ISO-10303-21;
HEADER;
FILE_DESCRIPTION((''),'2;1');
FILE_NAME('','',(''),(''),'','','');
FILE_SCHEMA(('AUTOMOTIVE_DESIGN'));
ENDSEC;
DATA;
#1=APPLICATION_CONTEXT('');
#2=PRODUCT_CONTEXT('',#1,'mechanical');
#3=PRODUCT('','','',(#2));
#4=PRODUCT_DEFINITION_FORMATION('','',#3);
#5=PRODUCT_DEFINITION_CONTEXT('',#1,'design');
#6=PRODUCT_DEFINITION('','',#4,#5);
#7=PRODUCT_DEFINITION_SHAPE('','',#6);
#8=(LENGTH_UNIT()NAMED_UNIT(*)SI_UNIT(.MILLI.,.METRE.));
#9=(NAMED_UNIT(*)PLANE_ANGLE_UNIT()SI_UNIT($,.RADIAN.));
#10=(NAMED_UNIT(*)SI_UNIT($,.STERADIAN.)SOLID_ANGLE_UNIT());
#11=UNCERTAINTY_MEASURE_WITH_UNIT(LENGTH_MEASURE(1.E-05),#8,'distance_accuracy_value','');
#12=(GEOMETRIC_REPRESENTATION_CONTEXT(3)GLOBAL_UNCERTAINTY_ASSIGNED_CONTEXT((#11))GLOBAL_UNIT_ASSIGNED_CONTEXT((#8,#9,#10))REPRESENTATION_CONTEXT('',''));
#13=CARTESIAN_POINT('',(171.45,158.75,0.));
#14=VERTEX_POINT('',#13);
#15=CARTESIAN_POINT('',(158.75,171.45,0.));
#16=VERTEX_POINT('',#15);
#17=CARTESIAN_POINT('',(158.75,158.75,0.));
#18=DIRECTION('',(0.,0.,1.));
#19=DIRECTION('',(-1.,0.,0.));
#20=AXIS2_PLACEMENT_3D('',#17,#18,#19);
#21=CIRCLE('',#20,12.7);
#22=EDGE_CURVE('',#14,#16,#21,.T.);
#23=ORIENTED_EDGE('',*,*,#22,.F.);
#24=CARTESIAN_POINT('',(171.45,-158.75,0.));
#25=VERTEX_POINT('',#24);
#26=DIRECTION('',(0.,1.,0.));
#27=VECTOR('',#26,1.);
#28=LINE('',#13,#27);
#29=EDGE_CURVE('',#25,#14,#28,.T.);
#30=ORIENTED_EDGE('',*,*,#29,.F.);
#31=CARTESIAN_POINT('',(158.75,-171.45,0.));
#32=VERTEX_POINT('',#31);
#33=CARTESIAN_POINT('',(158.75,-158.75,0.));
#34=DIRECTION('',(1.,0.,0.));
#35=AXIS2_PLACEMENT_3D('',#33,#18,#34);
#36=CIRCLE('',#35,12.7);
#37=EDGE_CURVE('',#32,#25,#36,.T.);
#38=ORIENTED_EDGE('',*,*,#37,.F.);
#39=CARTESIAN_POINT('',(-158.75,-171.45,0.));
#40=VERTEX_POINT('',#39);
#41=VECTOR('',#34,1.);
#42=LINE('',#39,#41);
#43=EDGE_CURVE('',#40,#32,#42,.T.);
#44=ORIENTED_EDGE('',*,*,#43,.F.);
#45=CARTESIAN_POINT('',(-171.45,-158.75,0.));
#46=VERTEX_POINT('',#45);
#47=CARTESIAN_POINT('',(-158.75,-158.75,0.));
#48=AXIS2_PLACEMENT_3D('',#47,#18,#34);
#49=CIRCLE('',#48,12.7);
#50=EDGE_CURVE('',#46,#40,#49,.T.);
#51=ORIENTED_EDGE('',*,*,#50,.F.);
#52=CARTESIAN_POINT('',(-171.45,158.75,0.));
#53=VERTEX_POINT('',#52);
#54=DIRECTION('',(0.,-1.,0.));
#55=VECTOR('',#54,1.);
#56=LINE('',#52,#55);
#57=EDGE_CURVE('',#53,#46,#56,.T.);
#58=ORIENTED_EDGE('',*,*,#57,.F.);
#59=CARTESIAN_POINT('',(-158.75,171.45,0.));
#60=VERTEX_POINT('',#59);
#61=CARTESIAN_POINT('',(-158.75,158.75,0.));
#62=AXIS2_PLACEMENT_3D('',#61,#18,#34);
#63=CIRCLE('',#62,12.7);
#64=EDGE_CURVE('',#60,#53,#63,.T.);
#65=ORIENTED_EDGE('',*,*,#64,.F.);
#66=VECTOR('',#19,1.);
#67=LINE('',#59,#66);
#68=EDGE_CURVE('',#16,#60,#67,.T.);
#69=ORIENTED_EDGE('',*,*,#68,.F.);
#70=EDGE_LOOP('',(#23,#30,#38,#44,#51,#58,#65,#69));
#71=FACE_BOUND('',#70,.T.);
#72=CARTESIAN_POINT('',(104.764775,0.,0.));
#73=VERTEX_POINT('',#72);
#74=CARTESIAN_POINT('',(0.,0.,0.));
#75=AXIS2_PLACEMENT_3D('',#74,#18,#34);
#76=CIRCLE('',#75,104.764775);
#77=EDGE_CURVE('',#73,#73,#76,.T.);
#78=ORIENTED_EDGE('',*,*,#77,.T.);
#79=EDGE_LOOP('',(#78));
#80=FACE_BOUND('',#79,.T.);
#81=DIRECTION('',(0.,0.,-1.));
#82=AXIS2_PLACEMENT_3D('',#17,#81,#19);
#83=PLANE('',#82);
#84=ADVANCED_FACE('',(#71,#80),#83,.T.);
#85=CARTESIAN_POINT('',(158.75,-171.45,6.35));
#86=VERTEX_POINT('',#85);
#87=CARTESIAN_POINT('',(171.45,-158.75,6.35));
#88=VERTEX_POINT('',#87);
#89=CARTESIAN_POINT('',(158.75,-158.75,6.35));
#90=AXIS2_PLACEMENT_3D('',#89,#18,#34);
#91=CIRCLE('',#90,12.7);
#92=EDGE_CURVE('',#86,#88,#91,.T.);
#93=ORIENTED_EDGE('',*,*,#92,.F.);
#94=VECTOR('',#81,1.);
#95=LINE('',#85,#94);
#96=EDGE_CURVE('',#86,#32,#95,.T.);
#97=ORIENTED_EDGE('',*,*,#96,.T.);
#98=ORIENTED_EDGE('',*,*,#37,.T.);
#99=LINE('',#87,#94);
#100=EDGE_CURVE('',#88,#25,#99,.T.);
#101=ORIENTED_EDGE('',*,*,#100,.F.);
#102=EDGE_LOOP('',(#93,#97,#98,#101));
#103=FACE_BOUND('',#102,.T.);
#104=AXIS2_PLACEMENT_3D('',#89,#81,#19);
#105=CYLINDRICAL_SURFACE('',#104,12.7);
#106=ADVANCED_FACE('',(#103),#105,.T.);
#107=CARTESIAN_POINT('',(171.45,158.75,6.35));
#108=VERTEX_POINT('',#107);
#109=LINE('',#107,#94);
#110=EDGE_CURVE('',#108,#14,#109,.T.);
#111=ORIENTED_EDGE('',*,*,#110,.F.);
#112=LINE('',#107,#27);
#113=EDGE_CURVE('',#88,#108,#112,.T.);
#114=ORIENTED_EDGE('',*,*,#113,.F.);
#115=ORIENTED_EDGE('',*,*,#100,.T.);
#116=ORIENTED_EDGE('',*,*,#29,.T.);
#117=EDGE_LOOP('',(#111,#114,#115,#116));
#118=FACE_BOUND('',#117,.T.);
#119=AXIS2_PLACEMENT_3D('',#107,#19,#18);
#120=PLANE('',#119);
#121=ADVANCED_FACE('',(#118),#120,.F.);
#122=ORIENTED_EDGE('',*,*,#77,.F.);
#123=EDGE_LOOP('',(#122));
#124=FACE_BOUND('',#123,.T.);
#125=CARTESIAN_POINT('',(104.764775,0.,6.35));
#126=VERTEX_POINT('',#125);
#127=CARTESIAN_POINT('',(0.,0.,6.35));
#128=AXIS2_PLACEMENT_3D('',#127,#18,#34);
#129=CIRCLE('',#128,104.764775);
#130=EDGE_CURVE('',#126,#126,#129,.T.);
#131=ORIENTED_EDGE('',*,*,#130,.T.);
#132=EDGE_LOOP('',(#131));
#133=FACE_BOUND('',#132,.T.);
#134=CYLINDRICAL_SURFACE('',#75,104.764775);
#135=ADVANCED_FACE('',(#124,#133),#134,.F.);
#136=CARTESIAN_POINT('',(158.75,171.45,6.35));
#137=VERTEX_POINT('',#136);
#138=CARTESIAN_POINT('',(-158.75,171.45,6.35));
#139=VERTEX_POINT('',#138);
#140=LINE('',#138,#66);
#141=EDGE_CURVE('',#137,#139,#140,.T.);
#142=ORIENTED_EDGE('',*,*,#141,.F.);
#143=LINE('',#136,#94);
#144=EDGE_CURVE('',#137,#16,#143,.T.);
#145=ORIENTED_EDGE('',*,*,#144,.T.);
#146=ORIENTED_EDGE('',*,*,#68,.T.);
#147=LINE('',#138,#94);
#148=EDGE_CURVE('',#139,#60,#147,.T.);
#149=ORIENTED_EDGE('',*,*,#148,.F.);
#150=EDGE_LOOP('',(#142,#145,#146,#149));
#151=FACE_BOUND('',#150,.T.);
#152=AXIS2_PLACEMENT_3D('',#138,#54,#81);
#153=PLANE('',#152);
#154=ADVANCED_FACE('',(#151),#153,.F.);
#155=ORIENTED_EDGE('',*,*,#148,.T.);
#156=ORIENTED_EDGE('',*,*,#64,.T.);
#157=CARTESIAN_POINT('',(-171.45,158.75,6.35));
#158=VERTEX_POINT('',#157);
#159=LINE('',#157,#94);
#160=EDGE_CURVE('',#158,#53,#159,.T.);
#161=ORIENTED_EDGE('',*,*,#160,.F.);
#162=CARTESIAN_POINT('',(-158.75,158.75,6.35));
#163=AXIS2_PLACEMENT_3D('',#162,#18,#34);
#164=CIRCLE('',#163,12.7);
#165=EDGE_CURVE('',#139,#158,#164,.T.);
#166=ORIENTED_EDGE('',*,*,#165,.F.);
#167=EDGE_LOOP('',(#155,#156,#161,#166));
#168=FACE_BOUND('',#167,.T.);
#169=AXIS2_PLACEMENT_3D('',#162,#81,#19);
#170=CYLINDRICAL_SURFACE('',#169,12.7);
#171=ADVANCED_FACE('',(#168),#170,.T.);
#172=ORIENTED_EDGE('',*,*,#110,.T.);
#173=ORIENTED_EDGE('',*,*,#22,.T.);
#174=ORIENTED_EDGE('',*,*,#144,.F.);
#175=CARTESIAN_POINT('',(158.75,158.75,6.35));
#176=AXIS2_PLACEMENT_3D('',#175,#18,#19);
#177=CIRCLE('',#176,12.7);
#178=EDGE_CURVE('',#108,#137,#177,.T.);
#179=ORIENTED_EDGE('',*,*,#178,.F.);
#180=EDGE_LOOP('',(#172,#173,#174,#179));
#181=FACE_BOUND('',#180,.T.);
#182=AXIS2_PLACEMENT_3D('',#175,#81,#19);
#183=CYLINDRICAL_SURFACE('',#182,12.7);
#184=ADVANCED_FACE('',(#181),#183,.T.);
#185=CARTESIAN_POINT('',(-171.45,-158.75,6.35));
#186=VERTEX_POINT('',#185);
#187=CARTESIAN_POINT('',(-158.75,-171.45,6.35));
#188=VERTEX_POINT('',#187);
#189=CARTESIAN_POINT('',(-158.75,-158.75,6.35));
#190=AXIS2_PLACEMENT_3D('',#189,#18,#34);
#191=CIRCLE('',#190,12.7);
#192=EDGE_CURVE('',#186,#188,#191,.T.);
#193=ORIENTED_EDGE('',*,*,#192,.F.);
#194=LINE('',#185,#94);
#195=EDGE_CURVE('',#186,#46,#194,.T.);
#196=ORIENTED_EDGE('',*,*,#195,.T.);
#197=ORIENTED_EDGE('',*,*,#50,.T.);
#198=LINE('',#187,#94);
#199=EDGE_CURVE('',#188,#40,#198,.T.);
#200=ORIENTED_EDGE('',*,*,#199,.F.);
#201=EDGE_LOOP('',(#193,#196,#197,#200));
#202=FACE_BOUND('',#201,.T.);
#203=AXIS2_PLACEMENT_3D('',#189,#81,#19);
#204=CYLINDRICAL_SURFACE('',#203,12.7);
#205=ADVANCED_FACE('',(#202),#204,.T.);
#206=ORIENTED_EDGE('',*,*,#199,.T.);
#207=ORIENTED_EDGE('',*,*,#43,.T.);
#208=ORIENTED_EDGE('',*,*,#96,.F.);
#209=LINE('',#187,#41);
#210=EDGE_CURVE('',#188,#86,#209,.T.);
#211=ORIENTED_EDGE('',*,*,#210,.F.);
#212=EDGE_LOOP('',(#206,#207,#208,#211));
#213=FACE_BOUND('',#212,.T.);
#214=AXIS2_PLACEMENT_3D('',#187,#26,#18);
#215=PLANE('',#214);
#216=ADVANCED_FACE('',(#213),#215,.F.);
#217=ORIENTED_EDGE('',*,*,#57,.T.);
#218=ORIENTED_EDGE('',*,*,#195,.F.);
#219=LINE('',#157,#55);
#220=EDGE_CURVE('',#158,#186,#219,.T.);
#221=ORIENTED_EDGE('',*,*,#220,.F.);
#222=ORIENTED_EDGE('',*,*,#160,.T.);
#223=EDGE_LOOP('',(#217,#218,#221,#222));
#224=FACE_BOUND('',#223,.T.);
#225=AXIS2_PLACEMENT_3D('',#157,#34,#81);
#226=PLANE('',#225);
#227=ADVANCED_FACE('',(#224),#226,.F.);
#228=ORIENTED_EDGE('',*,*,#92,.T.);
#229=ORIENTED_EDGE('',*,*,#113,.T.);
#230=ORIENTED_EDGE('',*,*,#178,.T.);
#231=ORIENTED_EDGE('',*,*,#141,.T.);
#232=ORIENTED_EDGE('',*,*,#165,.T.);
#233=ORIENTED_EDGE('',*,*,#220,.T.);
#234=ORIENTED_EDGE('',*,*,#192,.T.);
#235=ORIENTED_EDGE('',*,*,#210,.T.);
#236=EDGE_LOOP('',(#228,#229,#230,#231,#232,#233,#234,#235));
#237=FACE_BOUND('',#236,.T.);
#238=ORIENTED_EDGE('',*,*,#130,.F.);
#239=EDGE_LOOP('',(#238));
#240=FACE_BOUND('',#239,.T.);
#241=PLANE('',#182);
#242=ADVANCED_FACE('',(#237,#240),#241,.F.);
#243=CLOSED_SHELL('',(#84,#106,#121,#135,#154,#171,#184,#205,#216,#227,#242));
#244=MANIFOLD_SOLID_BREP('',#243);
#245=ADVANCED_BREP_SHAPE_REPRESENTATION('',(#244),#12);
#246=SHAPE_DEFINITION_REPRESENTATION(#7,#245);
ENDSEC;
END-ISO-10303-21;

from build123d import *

# Parameters (mm, degrees)
BOSS_EXTRUDE1_DEPTH = 6.35
SKETCH2_R           = 104.764774547
CUT_EXTRUDE1_DEPTH  = 243.550051536


with BuildPart() as part:
    # Sketch1 → Boss-Extrude1 (new body)
    with BuildSketch(Plane.XY):
        with BuildLine():
            Line((-158.75, 171.45), (158.75, 171.45))
            ThreePointArc((158.75, 171.45), (167.730256121, 167.730256121), (171.45, 158.75))
            Line((171.45, 158.75), (171.45, -158.75))
            ThreePointArc((171.45, -158.75), (167.730256121, -167.730256121), (158.75, -171.45))
            Line((158.75, -171.45), (-158.75, -171.45))
            ThreePointArc((-158.75, -171.45), (-167.730256121, -167.730256121), (-171.45, -158.75))
            Line((-171.45, -158.75), (-171.45, 158.75))
            ThreePointArc((-171.45, 158.75), (-167.730256121, 167.730256121), (-158.75, 171.45))
        make_face()
    extrude(amount=BOSS_EXTRUDE1_DEPTH)

    # Sketch2 → Cut-Extrude1 (cut, through all)
    with BuildSketch(Plane.XY.offset(6.35)):
        Circle(SKETCH2_R)
    extrude(amount=-CUT_EXTRUDE1_DEPTH, mode=Mode.SUBTRACT)


solid = part.part
